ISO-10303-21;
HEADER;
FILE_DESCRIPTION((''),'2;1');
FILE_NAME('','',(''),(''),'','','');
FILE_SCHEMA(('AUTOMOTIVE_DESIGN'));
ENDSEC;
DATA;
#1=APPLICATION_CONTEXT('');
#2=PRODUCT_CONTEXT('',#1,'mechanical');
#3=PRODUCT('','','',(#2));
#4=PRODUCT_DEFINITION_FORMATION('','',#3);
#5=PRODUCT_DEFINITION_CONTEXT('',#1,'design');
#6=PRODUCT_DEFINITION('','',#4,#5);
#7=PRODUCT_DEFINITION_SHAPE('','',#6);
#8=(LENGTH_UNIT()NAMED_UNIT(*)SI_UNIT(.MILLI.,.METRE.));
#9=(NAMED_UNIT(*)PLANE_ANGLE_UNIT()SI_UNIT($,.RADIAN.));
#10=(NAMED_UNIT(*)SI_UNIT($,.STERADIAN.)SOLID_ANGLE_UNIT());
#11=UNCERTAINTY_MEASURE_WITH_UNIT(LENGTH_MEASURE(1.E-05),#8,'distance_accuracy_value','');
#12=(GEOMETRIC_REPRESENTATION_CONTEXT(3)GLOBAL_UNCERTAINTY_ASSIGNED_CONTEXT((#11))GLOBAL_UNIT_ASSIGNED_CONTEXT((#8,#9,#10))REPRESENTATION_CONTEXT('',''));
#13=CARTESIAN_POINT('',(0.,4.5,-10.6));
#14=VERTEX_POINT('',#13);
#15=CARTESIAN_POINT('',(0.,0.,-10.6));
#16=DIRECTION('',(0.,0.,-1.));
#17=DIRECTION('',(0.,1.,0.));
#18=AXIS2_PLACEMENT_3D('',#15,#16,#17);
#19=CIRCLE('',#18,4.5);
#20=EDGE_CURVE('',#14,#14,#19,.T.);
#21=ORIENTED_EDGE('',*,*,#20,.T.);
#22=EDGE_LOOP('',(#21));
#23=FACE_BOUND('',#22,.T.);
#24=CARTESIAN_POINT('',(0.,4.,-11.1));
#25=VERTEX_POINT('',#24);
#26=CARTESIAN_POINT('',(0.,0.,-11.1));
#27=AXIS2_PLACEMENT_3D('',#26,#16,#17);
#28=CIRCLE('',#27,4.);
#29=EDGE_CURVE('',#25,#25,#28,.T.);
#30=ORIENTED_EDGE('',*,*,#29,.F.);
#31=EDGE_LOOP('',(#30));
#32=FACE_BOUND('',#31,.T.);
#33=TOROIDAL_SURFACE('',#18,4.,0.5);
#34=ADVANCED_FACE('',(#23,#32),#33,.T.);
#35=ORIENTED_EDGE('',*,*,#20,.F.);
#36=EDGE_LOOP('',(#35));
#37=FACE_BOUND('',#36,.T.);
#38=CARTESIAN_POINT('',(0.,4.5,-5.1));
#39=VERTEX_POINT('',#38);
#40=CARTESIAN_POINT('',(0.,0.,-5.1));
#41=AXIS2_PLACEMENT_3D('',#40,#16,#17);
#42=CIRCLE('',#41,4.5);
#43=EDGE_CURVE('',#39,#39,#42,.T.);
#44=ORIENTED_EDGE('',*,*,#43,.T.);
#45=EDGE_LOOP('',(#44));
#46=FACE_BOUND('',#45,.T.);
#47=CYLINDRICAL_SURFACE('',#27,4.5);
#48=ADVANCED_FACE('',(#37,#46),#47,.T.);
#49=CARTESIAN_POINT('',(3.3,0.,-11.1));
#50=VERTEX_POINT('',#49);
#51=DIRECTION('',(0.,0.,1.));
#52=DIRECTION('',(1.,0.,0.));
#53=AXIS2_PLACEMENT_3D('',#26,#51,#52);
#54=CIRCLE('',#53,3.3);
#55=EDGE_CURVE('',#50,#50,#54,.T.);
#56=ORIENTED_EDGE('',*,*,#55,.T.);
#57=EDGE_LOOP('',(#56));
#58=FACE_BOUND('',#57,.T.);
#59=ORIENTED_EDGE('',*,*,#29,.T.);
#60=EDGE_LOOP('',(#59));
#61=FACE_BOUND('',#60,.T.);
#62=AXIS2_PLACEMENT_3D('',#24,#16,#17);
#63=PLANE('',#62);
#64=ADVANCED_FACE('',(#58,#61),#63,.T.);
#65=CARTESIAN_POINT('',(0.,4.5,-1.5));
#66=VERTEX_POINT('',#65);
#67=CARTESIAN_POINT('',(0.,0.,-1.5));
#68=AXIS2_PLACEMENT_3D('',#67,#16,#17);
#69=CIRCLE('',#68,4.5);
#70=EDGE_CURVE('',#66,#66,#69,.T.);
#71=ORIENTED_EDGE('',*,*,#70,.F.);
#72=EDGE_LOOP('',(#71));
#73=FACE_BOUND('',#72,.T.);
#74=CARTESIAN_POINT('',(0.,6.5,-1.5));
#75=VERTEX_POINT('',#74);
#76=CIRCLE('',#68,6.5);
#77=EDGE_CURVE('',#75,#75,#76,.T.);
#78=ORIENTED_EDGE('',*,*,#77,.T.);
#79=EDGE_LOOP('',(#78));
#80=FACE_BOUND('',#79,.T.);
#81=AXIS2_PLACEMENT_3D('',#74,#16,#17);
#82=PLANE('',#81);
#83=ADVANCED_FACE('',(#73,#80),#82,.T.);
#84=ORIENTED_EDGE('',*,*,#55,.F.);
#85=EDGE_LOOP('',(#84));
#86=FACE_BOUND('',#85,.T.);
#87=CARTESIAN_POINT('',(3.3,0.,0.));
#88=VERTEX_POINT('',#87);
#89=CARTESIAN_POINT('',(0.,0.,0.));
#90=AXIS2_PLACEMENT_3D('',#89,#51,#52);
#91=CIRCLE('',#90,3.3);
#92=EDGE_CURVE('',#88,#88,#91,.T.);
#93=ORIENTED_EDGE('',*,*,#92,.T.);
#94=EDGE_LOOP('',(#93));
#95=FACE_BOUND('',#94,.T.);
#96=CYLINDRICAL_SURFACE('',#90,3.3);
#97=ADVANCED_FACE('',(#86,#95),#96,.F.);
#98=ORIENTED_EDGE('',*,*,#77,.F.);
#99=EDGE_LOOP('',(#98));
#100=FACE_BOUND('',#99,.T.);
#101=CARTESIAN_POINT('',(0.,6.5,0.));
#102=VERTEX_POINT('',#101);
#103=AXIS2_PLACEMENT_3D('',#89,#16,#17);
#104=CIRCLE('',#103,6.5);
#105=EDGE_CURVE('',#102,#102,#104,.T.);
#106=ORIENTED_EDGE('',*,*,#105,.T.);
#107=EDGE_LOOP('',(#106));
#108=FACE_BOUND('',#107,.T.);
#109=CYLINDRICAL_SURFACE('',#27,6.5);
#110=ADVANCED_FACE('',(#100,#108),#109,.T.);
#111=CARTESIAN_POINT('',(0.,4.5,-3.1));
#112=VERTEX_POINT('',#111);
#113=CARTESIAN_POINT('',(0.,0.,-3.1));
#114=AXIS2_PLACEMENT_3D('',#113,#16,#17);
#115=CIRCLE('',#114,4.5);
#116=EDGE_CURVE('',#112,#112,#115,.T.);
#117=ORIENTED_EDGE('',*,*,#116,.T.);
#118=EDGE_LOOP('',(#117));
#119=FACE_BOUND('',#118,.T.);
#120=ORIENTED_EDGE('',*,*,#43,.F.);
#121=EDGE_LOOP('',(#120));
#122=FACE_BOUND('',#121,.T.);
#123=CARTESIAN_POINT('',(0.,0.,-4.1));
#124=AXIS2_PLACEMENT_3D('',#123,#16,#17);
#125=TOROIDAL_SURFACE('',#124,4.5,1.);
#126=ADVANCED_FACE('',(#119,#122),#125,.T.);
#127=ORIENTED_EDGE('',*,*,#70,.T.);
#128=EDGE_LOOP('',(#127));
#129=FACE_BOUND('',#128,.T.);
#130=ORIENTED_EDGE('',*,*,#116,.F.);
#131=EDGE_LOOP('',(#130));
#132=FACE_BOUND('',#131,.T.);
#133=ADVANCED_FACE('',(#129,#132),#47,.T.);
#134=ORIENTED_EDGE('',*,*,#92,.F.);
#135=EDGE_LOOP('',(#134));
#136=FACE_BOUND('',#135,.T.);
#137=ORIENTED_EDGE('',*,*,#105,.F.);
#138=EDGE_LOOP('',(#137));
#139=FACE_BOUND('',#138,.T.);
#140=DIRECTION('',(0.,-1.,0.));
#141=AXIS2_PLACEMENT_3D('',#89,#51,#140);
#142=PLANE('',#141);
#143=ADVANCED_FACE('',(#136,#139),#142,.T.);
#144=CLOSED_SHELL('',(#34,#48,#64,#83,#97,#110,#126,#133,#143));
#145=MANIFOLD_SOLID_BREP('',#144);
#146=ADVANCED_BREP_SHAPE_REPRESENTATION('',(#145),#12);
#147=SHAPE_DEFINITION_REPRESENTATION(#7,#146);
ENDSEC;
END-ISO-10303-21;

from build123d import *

# Parameters (mm, degrees)
FURO_COM_FOLGA_DE_M61_D = 6.6


with BuildPart() as part:
    # Esboço1 → Revolução1 (revolve)
    with BuildSketch(Plane(origin=(0, 0, 0), x_dir=(0, 0, -1), z_dir=(1, 0, 0))):
        with BuildLine():
            Line((0, 0), (0, 6.5))
            Line((0, 6.5), (1.5, 6.5))
            Line((1.5, 6.5), (1.5, 4.5))
            Line((1.5, 4.5), (3.1, 4.5))
            ThreePointArc((3.1, 4.5), (4.1, 5.5), (5.1, 4.5))
            Line((5.1, 4.5), (10.6, 4.5))
            ThreePointArc((10.6, 4.5), (10.953553391, 4.353553391), (11.1, 4))
            Line((11.1, 4), (11.1, 0))
            Line((11.1, 0), (0, 0))
        make_face()
    revolve(axis=Axis((0, 0, -11.1), (0, 0, 1)))

    # Furo com folga de M61 (through all)
    with Locations(Plane.XY):
        with Locations((0, 0)):
            Hole(FURO_COM_FOLGA_DE_M61_D / 2)


solid = part.part
